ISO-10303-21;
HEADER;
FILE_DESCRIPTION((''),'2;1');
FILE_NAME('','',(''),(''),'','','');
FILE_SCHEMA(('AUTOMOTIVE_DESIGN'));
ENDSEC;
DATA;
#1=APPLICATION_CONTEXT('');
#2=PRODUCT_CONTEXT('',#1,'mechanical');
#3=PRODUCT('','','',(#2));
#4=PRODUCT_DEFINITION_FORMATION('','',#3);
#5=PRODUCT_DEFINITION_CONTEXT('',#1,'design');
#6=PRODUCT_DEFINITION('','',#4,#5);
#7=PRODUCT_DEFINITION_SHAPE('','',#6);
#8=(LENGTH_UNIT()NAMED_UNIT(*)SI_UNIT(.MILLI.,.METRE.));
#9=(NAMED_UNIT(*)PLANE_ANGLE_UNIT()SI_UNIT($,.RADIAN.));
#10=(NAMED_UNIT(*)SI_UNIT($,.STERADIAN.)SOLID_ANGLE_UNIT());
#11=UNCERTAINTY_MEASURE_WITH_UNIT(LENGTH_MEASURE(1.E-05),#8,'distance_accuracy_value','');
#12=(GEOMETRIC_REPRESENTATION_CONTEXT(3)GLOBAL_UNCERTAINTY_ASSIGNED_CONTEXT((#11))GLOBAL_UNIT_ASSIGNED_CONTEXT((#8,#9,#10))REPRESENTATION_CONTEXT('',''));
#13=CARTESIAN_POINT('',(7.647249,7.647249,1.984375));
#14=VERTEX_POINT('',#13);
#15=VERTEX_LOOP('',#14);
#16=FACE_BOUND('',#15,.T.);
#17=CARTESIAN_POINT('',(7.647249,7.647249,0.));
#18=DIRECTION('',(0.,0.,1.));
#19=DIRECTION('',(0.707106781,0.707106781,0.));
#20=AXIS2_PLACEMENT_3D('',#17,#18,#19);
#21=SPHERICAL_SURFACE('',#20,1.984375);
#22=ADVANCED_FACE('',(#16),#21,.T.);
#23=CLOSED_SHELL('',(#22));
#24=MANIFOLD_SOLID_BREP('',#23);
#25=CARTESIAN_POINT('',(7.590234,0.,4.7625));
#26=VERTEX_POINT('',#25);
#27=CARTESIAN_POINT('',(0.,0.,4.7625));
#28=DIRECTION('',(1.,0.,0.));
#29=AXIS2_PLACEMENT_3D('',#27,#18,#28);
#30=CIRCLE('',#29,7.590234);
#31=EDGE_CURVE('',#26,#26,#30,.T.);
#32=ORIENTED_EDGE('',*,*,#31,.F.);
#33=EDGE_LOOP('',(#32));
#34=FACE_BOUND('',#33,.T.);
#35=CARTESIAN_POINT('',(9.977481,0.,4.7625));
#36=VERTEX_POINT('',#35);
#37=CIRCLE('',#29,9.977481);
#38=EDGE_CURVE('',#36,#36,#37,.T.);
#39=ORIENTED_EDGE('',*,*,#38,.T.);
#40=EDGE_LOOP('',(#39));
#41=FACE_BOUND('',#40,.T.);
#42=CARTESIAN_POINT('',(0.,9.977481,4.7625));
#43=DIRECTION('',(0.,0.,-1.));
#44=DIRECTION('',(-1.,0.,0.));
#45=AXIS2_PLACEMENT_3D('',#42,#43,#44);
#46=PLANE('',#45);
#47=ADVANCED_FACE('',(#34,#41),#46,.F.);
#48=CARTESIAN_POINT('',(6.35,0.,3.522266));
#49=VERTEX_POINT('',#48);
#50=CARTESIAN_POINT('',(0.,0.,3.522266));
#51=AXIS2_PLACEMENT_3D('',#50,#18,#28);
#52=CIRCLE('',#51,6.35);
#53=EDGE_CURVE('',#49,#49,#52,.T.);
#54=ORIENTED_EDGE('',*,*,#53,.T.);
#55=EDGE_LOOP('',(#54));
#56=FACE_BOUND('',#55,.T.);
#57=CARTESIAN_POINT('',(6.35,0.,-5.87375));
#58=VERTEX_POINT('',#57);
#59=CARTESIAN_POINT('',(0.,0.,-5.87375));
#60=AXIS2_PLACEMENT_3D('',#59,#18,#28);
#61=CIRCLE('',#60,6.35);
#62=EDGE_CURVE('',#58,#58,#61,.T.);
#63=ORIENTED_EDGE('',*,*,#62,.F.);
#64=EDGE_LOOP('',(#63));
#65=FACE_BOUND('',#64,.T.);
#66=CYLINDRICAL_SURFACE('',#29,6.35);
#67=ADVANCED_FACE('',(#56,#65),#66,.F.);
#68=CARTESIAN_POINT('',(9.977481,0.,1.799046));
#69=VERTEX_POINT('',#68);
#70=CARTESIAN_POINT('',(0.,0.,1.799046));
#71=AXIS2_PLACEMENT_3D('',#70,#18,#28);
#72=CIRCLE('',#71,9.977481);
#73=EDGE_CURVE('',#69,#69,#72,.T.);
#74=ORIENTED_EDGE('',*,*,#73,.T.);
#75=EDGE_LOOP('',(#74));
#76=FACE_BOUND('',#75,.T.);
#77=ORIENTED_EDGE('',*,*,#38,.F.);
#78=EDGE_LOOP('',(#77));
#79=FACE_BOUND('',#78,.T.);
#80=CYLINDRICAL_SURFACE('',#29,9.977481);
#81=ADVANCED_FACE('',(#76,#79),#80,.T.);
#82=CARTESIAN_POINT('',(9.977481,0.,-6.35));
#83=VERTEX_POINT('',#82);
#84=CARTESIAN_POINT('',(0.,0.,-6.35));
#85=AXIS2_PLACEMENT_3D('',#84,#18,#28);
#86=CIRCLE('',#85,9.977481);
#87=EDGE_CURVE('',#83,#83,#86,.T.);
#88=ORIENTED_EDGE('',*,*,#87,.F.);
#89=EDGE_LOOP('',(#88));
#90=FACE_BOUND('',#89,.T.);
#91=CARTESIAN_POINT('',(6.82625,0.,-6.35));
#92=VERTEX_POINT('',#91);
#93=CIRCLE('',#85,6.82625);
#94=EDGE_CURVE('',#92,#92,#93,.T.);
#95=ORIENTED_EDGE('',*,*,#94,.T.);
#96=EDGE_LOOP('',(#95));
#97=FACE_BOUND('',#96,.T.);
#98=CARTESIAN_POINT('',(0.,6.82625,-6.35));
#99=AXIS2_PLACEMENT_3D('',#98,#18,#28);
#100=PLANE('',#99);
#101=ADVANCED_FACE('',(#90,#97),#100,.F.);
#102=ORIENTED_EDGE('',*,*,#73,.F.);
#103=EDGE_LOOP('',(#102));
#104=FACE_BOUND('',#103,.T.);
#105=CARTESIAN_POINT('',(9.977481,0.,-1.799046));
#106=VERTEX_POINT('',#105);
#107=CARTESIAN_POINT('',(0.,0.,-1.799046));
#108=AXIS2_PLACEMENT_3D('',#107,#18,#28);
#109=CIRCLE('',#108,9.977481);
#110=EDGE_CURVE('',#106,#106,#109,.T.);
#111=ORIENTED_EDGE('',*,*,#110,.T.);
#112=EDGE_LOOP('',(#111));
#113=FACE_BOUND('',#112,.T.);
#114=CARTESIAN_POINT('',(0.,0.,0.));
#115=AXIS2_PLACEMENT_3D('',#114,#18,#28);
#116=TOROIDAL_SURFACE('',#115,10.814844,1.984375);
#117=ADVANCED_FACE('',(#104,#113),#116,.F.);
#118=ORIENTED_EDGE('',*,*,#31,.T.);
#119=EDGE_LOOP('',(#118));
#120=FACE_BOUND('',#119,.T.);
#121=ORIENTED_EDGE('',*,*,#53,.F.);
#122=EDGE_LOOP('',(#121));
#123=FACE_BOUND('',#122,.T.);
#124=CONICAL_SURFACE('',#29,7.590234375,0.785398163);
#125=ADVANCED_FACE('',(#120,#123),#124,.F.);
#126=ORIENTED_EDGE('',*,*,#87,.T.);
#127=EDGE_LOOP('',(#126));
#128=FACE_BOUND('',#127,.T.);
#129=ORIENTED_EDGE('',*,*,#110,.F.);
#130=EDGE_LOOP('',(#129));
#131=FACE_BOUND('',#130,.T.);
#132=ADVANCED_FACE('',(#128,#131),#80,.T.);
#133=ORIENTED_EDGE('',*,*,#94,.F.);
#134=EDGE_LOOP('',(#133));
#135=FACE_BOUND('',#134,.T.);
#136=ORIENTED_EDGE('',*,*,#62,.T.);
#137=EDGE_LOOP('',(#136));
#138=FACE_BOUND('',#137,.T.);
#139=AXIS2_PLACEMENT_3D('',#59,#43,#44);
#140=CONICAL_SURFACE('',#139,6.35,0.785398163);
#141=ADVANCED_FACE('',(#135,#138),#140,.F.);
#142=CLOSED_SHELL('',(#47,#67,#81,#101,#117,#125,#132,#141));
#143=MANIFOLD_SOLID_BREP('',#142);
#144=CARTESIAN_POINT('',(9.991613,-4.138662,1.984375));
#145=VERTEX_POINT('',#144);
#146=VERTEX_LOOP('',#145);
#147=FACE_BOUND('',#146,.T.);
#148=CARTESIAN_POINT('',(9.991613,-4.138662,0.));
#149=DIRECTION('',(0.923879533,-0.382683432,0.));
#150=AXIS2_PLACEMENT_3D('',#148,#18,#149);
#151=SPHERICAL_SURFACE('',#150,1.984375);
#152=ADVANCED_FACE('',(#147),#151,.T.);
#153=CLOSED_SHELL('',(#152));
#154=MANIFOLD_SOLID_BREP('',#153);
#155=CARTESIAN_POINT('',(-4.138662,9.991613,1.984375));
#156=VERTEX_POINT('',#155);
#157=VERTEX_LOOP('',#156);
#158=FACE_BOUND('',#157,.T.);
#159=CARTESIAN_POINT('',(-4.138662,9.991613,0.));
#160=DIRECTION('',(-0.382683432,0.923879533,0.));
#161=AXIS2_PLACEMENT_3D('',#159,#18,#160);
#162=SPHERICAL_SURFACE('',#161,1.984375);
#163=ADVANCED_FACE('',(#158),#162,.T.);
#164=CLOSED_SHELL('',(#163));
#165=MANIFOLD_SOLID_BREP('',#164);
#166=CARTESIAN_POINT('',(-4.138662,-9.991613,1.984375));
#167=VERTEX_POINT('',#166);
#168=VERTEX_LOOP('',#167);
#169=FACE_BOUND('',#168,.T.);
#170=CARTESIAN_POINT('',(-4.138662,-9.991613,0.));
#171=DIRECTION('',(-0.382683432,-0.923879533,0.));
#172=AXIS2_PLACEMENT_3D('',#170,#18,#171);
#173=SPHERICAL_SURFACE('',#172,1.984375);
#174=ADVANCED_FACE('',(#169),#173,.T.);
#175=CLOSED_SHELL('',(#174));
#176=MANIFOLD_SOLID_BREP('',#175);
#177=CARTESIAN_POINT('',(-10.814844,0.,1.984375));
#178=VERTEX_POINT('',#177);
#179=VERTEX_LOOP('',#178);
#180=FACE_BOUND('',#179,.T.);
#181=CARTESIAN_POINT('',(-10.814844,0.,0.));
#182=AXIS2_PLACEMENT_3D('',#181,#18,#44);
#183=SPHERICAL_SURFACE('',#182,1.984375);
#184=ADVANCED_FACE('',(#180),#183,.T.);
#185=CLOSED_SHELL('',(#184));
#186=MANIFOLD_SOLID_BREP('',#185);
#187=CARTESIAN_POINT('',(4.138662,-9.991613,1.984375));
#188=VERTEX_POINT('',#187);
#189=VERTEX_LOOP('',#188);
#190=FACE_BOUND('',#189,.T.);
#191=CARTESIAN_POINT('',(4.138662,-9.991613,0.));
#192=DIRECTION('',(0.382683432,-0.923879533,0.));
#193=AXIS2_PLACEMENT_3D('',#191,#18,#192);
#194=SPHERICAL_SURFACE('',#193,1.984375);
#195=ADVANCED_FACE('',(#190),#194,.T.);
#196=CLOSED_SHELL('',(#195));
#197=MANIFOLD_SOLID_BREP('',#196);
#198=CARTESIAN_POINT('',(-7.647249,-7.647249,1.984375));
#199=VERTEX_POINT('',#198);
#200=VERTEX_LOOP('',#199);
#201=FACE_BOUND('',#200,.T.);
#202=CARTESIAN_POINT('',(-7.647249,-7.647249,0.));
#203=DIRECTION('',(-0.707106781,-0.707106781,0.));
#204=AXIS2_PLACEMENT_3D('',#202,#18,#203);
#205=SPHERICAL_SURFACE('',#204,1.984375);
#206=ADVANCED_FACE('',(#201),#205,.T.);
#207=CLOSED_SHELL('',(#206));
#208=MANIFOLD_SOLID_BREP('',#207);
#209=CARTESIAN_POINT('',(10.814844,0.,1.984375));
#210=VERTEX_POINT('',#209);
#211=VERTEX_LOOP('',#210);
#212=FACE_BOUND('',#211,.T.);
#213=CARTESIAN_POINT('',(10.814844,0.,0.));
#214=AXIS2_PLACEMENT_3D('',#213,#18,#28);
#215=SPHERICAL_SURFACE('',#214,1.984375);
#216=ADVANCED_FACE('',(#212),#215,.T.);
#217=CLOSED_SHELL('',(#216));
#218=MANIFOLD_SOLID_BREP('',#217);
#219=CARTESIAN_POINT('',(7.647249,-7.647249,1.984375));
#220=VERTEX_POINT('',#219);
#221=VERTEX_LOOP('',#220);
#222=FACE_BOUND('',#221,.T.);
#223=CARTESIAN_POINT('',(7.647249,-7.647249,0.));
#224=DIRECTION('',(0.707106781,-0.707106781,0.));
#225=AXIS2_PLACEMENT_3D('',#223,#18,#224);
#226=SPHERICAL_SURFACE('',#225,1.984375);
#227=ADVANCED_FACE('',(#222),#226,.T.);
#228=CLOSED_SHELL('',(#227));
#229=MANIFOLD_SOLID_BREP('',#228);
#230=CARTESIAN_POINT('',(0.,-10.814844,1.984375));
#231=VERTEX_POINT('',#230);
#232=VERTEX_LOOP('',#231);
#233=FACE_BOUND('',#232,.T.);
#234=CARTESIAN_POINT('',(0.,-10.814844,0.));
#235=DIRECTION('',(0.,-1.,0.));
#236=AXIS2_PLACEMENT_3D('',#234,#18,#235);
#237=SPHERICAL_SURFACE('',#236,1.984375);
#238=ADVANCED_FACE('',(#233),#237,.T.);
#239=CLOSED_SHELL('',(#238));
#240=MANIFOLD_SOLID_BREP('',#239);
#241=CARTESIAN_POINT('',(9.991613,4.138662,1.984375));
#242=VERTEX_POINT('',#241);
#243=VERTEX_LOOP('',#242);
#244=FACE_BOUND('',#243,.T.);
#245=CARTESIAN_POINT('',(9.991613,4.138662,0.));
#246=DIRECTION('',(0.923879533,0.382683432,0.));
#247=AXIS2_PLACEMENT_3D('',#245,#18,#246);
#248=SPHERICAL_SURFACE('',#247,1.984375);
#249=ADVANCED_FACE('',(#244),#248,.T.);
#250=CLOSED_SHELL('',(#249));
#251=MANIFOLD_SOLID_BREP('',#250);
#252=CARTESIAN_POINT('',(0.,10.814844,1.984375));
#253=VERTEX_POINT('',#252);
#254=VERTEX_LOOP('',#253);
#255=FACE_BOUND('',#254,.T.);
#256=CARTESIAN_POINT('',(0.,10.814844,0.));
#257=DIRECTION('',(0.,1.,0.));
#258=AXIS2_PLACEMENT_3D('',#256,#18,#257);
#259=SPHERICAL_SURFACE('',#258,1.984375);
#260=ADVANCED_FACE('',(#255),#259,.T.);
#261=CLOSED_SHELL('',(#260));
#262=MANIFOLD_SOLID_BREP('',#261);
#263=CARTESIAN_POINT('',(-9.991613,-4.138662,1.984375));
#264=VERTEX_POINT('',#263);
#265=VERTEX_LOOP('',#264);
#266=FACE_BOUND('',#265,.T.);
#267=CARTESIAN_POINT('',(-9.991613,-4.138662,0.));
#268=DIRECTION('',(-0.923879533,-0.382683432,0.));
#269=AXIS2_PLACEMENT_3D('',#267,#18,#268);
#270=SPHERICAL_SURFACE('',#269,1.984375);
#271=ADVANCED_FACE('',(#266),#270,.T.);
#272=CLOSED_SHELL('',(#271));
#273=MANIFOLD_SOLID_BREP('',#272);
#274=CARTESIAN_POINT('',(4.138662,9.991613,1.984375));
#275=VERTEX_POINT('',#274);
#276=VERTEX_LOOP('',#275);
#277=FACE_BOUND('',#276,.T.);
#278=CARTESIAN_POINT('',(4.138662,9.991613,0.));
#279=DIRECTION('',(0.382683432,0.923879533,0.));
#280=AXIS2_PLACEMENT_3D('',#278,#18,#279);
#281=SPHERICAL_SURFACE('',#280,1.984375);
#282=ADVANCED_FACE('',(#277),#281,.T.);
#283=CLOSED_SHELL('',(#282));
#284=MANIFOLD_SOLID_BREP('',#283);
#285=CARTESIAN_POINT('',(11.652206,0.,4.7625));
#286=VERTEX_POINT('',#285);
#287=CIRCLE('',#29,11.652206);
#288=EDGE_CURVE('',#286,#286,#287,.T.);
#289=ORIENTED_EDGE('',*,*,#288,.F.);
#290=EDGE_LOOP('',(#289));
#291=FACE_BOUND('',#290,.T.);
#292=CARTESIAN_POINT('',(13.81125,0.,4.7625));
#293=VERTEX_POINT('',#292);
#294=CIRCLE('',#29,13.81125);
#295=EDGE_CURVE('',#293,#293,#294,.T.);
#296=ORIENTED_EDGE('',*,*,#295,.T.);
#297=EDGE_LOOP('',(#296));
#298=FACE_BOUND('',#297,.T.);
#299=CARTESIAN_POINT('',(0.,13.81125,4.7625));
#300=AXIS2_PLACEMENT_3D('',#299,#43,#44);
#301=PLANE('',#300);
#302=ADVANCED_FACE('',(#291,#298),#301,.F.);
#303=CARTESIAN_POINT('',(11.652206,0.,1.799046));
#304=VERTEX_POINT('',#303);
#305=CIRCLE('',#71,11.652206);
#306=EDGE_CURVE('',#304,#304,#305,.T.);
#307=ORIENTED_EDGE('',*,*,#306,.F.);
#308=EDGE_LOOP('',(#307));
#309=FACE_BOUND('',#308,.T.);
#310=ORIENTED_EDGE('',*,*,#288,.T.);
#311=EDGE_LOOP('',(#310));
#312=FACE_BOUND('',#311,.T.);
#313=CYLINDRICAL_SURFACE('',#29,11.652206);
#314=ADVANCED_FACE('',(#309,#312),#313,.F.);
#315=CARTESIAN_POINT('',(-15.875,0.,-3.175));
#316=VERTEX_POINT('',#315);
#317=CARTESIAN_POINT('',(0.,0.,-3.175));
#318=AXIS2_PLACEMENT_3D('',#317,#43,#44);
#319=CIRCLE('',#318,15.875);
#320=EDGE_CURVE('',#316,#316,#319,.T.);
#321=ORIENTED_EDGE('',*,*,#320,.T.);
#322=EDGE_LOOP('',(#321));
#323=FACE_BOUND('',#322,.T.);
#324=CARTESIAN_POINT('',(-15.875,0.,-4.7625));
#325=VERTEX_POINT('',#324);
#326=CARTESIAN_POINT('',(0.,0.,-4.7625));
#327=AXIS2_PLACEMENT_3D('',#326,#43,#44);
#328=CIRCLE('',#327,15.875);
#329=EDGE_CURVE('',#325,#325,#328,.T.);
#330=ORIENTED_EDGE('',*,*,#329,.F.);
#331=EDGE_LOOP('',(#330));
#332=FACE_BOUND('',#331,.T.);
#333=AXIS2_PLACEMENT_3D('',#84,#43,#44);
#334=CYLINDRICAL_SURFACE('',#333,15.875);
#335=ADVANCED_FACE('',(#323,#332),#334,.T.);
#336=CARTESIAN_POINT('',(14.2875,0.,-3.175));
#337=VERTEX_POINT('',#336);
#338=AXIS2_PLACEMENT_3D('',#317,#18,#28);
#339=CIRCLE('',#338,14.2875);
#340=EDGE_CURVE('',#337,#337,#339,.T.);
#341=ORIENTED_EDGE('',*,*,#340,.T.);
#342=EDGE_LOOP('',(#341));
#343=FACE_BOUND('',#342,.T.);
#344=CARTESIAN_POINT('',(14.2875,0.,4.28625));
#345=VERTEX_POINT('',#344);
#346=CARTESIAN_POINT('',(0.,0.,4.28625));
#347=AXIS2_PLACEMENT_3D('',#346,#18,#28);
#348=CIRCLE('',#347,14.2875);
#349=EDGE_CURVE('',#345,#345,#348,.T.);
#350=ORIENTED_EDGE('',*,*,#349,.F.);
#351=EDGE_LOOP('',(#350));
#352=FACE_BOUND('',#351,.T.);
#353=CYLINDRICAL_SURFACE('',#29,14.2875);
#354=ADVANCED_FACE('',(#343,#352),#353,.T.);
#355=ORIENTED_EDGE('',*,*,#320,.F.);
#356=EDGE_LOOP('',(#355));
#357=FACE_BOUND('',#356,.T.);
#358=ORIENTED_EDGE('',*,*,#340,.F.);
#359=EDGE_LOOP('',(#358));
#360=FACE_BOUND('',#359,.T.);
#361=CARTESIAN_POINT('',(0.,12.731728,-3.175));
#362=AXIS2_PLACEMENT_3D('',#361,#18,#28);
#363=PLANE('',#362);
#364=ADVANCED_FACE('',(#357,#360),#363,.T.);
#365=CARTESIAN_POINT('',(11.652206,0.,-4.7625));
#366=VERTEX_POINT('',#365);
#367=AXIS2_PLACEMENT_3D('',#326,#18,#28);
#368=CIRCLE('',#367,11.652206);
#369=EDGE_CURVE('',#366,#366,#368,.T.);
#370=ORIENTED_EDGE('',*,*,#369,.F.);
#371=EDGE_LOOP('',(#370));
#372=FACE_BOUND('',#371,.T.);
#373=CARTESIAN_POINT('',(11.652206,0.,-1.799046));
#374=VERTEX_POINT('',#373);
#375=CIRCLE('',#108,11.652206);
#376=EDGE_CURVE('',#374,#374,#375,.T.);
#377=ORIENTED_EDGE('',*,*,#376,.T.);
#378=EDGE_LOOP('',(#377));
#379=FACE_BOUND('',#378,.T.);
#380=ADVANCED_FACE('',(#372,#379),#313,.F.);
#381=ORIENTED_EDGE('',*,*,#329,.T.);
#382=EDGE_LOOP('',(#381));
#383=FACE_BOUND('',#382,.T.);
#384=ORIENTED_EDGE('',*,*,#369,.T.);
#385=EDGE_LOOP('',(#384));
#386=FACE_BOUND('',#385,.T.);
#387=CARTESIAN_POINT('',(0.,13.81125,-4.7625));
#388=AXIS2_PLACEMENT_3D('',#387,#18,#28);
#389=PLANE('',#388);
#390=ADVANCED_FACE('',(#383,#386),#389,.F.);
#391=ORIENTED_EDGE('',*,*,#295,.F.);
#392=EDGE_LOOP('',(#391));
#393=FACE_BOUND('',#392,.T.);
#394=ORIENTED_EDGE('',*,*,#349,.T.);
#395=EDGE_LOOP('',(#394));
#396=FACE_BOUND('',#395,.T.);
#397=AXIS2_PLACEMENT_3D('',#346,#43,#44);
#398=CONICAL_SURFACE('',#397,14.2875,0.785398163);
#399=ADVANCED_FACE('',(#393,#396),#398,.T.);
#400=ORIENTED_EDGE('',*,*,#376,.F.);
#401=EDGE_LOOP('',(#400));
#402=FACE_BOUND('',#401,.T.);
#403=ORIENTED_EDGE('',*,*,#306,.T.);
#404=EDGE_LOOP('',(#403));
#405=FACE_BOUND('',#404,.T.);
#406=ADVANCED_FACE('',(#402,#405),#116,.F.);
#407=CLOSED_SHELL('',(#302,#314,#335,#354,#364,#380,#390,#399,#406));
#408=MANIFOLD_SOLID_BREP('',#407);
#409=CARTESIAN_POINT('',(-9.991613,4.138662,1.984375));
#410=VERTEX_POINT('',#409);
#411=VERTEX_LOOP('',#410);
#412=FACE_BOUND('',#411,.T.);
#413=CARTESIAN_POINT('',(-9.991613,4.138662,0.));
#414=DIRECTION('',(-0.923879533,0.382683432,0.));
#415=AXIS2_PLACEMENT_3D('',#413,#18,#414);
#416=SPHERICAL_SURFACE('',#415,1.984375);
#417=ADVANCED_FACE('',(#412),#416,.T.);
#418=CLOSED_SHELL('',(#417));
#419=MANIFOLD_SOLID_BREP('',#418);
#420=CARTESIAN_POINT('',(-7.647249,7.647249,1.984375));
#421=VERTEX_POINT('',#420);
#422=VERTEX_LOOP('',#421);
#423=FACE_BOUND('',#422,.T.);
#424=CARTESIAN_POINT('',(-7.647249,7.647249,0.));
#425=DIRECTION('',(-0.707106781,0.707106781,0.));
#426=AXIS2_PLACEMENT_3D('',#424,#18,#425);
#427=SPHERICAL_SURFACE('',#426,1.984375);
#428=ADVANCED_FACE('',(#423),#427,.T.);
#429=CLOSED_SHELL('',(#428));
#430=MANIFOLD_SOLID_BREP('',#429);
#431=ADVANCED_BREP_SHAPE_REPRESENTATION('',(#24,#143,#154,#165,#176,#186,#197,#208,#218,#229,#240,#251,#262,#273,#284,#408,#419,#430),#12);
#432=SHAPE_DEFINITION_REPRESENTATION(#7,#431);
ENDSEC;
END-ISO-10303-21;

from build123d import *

# Parameters (mm, degrees)
CIRPATTERN1_COUNT = 16
SKETCH5_W         = 1.5875
SKETCH5_H         = 3.143271806


with BuildPart() as part:
    # Sketch1 → Revolve1 (revolve)
    with BuildSketch(Plane(origin=(0, 0, 0), x_dir=(0, 0, -1), z_dir=(1, 0, 0))):
        with BuildLine():
            Line((4.28625, 14.2875), (-4.28625, 14.2875))
            Line((-4.28625, 14.2875), (-4.7625, 13.81125))
            Line((-4.7625, 13.81125), (-4.7625, 11.652206387))
            Line((-4.7625, 11.652206387), (-1.799046401, 11.652206387))
            ThreePointArc((-1.799046401, 11.652206387), (0, 12.79921875), (1.799046401, 11.652206387))
            Line((1.799046401, 11.652206387), (4.7625, 11.652206387))
            Line((4.7625, 11.652206387), (4.7625, 13.81125))
            Line((4.7625, 13.81125), (4.28625, 14.2875))
        make_face()
    revolve(axis=Axis((0, 0, 4.7625), (0, 0, -1)))

    # Sketch5 → Revolve5 (revolve)
    with BuildSketch(Plane(origin=(0, 0, 0), x_dir=(0, 0, -1), z_dir=(1, 0, 0))):
        with Locations((3.96875, 14.303364097)):
            Rectangle(SKETCH5_W, SKETCH5_H)
    revolve(axis=Axis((0, 0, -6.35), (0, 0, 1)))


with BuildPart() as body_2:
    # Sketch2 → Revolve2 (revolve)
    with BuildSketch(Plane(origin=(0, 0, 0), x_dir=(0, 0, -1), z_dir=(1, 0, 0))):
        with BuildLine():
            Line((-4.7625, 9.977481113), (-1.799046401, 9.977481113))
            ThreePointArc((-1.799046401, 9.977481113), (-1.066794886, 9.141615489), (0, 8.83046875))
            Line((0, 8.83046875), (0, 7.590234375))
            Line((0, 7.590234375), (-3.568876631, 7.590234375))
            Line((-3.568876631, 7.590234375), (-4.7625, 8.783857744))
            Line((-4.7625, 8.783857744), (-4.7625, 9.977481113))
        make_face()
    revolve(axis=Axis((0, 0, 4.7625), (0, 0, -1)))

    # Sketch3 → Revolve3 (revolve)
    with BuildSketch(Plane(origin=(0, 0, 0), x_dir=(0, 0, -1), z_dir=(1, 0, 0))):
        with BuildLine():
            Line((-4.7625, 8.783857744), (-3.568876631, 7.590234375))
            Line((-3.568876631, 7.590234375), (0, 7.590234375))
            Line((0, 7.590234375), (0, 8.83046875))
            ThreePointArc((0, 8.83046875), (1.066794886, 9.141615489), (1.799046401, 9.977481113))
            Line((1.799046401, 9.977481113), (6.35, 9.977481113))
            Line((6.35, 9.977481113), (6.35, 6.82625))
            Line((6.35, 6.82625), (5.87375, 6.35))
            Line((5.87375, 6.35), (-3.522265625, 6.35))
            Line((-3.522265625, 6.35), (-4.7625, 7.590234375))
            Line((-4.7625, 7.590234375), (-4.7625, 8.783857744))
        make_face()
    revolve(axis=Axis((0, 0, 4.7625), (0, 0, -1)))


with BuildPart() as body_3:
    # Sketch4 → Revolve4 (revolve)
    with BuildSketch(Plane(origin=(0, 0, 0), x_dir=(0, 0, -1), z_dir=(1, 0, 0))):
        with BuildLine():
            Line((-1.984375, 10.81484375), (1.984375, 10.81484375))
            ThreePointArc((1.984375, 10.81484375), (0, 12.79921875), (-1.984375, 10.81484375))
        make_face()
    revolve(axis=Axis((0, 10.81484375, 1.984375), (0, 0, -1)))


with BuildPart() as cirpattern1_1:
    # CirPattern1: pattern copy
    add(body_3.part.rotate(Axis((0, 0, -4.7625), (0, 0, 1)), 1 * 360 / CIRPATTERN1_COUNT))


with BuildPart() as cirpattern1_2:
    # CirPattern1: pattern copy
    add(body_3.part.rotate(Axis((0, 0, -4.7625), (0, 0, 1)), 2 * 360 / CIRPATTERN1_COUNT))


with BuildPart() as cirpattern1_3:
    # CirPattern1: pattern copy
    add(body_3.part.rotate(Axis((0, 0, -4.7625), (0, 0, 1)), 3 * 360 / CIRPATTERN1_COUNT))


with BuildPart() as cirpattern1_4:
    # CirPattern1: pattern copy
    add(body_3.part.rotate(Axis((0, 0, -4.7625), (0, 0, 1)), 4 * 360 / CIRPATTERN1_COUNT))


with BuildPart() as cirpattern1_5:
    # CirPattern1: pattern copy
    add(body_3.part.rotate(Axis((0, 0, -4.7625), (0, 0, 1)), 5 * 360 / CIRPATTERN1_COUNT))


with BuildPart() as cirpattern1_6:
    # CirPattern1: pattern copy
    add(body_3.part.rotate(Axis((0, 0, -4.7625), (0, 0, 1)), 6 * 360 / CIRPATTERN1_COUNT))


with BuildPart() as cirpattern1_7:
    # CirPattern1: pattern copy
    add(body_3.part.rotate(Axis((0, 0, -4.7625), (0, 0, 1)), 7 * 360 / CIRPATTERN1_COUNT))


with BuildPart() as cirpattern1_8:
    # CirPattern1: pattern copy
    add(body_3.part.rotate(Axis((0, 0, -4.7625), (0, 0, 1)), 8 * 360 / CIRPATTERN1_COUNT))


with BuildPart() as cirpattern1_9:
    # CirPattern1: pattern copy
    add(body_3.part.rotate(Axis((0, 0, -4.7625), (0, 0, 1)), 9 * 360 / CIRPATTERN1_COUNT))


with BuildPart() as cirpattern1_10:
    # CirPattern1: pattern copy
    add(body_3.part.rotate(Axis((0, 0, -4.7625), (0, 0, 1)), 10 * 360 / CIRPATTERN1_COUNT))


with BuildPart() as cirpattern1_11:
    # CirPattern1: pattern copy
    add(body_3.part.rotate(Axis((0, 0, -4.7625), (0, 0, 1)), 11 * 360 / CIRPATTERN1_COUNT))


with BuildPart() as cirpattern1_12:
    # CirPattern1: pattern copy
    add(body_3.part.rotate(Axis((0, 0, -4.7625), (0, 0, 1)), 12 * 360 / CIRPATTERN1_COUNT))


with BuildPart() as cirpattern1_13:
    # CirPattern1: pattern copy
    add(body_3.part.rotate(Axis((0, 0, -4.7625), (0, 0, 1)), 13 * 360 / CIRPATTERN1_COUNT))


with BuildPart() as cirpattern1_14:
    # CirPattern1: pattern copy
    add(body_3.part.rotate(Axis((0, 0, -4.7625), (0, 0, 1)), 14 * 360 / CIRPATTERN1_COUNT))


with BuildPart() as cirpattern1_15:
    # CirPattern1: pattern copy
    add(body_3.part.rotate(Axis((0, 0, -4.7625), (0, 0, 1)), 15 * 360 / CIRPATTERN1_COUNT))


solid = Compound([part.part, body_2.part, body_3.part, cirpattern1_1.part, cirpattern1_2.part, cirpattern1_3.part, cirpattern1_4.part, cirpattern1_5.part, cirpattern1_6.part, cirpattern1_7.part, cirpattern1_8.part, cirpattern1_9.part, cirpattern1_10.part, cirpattern1_11.part, cirpattern1_12.part, cirpattern1_13.part, cirpattern1_14.part, cirpattern1_15.part])
